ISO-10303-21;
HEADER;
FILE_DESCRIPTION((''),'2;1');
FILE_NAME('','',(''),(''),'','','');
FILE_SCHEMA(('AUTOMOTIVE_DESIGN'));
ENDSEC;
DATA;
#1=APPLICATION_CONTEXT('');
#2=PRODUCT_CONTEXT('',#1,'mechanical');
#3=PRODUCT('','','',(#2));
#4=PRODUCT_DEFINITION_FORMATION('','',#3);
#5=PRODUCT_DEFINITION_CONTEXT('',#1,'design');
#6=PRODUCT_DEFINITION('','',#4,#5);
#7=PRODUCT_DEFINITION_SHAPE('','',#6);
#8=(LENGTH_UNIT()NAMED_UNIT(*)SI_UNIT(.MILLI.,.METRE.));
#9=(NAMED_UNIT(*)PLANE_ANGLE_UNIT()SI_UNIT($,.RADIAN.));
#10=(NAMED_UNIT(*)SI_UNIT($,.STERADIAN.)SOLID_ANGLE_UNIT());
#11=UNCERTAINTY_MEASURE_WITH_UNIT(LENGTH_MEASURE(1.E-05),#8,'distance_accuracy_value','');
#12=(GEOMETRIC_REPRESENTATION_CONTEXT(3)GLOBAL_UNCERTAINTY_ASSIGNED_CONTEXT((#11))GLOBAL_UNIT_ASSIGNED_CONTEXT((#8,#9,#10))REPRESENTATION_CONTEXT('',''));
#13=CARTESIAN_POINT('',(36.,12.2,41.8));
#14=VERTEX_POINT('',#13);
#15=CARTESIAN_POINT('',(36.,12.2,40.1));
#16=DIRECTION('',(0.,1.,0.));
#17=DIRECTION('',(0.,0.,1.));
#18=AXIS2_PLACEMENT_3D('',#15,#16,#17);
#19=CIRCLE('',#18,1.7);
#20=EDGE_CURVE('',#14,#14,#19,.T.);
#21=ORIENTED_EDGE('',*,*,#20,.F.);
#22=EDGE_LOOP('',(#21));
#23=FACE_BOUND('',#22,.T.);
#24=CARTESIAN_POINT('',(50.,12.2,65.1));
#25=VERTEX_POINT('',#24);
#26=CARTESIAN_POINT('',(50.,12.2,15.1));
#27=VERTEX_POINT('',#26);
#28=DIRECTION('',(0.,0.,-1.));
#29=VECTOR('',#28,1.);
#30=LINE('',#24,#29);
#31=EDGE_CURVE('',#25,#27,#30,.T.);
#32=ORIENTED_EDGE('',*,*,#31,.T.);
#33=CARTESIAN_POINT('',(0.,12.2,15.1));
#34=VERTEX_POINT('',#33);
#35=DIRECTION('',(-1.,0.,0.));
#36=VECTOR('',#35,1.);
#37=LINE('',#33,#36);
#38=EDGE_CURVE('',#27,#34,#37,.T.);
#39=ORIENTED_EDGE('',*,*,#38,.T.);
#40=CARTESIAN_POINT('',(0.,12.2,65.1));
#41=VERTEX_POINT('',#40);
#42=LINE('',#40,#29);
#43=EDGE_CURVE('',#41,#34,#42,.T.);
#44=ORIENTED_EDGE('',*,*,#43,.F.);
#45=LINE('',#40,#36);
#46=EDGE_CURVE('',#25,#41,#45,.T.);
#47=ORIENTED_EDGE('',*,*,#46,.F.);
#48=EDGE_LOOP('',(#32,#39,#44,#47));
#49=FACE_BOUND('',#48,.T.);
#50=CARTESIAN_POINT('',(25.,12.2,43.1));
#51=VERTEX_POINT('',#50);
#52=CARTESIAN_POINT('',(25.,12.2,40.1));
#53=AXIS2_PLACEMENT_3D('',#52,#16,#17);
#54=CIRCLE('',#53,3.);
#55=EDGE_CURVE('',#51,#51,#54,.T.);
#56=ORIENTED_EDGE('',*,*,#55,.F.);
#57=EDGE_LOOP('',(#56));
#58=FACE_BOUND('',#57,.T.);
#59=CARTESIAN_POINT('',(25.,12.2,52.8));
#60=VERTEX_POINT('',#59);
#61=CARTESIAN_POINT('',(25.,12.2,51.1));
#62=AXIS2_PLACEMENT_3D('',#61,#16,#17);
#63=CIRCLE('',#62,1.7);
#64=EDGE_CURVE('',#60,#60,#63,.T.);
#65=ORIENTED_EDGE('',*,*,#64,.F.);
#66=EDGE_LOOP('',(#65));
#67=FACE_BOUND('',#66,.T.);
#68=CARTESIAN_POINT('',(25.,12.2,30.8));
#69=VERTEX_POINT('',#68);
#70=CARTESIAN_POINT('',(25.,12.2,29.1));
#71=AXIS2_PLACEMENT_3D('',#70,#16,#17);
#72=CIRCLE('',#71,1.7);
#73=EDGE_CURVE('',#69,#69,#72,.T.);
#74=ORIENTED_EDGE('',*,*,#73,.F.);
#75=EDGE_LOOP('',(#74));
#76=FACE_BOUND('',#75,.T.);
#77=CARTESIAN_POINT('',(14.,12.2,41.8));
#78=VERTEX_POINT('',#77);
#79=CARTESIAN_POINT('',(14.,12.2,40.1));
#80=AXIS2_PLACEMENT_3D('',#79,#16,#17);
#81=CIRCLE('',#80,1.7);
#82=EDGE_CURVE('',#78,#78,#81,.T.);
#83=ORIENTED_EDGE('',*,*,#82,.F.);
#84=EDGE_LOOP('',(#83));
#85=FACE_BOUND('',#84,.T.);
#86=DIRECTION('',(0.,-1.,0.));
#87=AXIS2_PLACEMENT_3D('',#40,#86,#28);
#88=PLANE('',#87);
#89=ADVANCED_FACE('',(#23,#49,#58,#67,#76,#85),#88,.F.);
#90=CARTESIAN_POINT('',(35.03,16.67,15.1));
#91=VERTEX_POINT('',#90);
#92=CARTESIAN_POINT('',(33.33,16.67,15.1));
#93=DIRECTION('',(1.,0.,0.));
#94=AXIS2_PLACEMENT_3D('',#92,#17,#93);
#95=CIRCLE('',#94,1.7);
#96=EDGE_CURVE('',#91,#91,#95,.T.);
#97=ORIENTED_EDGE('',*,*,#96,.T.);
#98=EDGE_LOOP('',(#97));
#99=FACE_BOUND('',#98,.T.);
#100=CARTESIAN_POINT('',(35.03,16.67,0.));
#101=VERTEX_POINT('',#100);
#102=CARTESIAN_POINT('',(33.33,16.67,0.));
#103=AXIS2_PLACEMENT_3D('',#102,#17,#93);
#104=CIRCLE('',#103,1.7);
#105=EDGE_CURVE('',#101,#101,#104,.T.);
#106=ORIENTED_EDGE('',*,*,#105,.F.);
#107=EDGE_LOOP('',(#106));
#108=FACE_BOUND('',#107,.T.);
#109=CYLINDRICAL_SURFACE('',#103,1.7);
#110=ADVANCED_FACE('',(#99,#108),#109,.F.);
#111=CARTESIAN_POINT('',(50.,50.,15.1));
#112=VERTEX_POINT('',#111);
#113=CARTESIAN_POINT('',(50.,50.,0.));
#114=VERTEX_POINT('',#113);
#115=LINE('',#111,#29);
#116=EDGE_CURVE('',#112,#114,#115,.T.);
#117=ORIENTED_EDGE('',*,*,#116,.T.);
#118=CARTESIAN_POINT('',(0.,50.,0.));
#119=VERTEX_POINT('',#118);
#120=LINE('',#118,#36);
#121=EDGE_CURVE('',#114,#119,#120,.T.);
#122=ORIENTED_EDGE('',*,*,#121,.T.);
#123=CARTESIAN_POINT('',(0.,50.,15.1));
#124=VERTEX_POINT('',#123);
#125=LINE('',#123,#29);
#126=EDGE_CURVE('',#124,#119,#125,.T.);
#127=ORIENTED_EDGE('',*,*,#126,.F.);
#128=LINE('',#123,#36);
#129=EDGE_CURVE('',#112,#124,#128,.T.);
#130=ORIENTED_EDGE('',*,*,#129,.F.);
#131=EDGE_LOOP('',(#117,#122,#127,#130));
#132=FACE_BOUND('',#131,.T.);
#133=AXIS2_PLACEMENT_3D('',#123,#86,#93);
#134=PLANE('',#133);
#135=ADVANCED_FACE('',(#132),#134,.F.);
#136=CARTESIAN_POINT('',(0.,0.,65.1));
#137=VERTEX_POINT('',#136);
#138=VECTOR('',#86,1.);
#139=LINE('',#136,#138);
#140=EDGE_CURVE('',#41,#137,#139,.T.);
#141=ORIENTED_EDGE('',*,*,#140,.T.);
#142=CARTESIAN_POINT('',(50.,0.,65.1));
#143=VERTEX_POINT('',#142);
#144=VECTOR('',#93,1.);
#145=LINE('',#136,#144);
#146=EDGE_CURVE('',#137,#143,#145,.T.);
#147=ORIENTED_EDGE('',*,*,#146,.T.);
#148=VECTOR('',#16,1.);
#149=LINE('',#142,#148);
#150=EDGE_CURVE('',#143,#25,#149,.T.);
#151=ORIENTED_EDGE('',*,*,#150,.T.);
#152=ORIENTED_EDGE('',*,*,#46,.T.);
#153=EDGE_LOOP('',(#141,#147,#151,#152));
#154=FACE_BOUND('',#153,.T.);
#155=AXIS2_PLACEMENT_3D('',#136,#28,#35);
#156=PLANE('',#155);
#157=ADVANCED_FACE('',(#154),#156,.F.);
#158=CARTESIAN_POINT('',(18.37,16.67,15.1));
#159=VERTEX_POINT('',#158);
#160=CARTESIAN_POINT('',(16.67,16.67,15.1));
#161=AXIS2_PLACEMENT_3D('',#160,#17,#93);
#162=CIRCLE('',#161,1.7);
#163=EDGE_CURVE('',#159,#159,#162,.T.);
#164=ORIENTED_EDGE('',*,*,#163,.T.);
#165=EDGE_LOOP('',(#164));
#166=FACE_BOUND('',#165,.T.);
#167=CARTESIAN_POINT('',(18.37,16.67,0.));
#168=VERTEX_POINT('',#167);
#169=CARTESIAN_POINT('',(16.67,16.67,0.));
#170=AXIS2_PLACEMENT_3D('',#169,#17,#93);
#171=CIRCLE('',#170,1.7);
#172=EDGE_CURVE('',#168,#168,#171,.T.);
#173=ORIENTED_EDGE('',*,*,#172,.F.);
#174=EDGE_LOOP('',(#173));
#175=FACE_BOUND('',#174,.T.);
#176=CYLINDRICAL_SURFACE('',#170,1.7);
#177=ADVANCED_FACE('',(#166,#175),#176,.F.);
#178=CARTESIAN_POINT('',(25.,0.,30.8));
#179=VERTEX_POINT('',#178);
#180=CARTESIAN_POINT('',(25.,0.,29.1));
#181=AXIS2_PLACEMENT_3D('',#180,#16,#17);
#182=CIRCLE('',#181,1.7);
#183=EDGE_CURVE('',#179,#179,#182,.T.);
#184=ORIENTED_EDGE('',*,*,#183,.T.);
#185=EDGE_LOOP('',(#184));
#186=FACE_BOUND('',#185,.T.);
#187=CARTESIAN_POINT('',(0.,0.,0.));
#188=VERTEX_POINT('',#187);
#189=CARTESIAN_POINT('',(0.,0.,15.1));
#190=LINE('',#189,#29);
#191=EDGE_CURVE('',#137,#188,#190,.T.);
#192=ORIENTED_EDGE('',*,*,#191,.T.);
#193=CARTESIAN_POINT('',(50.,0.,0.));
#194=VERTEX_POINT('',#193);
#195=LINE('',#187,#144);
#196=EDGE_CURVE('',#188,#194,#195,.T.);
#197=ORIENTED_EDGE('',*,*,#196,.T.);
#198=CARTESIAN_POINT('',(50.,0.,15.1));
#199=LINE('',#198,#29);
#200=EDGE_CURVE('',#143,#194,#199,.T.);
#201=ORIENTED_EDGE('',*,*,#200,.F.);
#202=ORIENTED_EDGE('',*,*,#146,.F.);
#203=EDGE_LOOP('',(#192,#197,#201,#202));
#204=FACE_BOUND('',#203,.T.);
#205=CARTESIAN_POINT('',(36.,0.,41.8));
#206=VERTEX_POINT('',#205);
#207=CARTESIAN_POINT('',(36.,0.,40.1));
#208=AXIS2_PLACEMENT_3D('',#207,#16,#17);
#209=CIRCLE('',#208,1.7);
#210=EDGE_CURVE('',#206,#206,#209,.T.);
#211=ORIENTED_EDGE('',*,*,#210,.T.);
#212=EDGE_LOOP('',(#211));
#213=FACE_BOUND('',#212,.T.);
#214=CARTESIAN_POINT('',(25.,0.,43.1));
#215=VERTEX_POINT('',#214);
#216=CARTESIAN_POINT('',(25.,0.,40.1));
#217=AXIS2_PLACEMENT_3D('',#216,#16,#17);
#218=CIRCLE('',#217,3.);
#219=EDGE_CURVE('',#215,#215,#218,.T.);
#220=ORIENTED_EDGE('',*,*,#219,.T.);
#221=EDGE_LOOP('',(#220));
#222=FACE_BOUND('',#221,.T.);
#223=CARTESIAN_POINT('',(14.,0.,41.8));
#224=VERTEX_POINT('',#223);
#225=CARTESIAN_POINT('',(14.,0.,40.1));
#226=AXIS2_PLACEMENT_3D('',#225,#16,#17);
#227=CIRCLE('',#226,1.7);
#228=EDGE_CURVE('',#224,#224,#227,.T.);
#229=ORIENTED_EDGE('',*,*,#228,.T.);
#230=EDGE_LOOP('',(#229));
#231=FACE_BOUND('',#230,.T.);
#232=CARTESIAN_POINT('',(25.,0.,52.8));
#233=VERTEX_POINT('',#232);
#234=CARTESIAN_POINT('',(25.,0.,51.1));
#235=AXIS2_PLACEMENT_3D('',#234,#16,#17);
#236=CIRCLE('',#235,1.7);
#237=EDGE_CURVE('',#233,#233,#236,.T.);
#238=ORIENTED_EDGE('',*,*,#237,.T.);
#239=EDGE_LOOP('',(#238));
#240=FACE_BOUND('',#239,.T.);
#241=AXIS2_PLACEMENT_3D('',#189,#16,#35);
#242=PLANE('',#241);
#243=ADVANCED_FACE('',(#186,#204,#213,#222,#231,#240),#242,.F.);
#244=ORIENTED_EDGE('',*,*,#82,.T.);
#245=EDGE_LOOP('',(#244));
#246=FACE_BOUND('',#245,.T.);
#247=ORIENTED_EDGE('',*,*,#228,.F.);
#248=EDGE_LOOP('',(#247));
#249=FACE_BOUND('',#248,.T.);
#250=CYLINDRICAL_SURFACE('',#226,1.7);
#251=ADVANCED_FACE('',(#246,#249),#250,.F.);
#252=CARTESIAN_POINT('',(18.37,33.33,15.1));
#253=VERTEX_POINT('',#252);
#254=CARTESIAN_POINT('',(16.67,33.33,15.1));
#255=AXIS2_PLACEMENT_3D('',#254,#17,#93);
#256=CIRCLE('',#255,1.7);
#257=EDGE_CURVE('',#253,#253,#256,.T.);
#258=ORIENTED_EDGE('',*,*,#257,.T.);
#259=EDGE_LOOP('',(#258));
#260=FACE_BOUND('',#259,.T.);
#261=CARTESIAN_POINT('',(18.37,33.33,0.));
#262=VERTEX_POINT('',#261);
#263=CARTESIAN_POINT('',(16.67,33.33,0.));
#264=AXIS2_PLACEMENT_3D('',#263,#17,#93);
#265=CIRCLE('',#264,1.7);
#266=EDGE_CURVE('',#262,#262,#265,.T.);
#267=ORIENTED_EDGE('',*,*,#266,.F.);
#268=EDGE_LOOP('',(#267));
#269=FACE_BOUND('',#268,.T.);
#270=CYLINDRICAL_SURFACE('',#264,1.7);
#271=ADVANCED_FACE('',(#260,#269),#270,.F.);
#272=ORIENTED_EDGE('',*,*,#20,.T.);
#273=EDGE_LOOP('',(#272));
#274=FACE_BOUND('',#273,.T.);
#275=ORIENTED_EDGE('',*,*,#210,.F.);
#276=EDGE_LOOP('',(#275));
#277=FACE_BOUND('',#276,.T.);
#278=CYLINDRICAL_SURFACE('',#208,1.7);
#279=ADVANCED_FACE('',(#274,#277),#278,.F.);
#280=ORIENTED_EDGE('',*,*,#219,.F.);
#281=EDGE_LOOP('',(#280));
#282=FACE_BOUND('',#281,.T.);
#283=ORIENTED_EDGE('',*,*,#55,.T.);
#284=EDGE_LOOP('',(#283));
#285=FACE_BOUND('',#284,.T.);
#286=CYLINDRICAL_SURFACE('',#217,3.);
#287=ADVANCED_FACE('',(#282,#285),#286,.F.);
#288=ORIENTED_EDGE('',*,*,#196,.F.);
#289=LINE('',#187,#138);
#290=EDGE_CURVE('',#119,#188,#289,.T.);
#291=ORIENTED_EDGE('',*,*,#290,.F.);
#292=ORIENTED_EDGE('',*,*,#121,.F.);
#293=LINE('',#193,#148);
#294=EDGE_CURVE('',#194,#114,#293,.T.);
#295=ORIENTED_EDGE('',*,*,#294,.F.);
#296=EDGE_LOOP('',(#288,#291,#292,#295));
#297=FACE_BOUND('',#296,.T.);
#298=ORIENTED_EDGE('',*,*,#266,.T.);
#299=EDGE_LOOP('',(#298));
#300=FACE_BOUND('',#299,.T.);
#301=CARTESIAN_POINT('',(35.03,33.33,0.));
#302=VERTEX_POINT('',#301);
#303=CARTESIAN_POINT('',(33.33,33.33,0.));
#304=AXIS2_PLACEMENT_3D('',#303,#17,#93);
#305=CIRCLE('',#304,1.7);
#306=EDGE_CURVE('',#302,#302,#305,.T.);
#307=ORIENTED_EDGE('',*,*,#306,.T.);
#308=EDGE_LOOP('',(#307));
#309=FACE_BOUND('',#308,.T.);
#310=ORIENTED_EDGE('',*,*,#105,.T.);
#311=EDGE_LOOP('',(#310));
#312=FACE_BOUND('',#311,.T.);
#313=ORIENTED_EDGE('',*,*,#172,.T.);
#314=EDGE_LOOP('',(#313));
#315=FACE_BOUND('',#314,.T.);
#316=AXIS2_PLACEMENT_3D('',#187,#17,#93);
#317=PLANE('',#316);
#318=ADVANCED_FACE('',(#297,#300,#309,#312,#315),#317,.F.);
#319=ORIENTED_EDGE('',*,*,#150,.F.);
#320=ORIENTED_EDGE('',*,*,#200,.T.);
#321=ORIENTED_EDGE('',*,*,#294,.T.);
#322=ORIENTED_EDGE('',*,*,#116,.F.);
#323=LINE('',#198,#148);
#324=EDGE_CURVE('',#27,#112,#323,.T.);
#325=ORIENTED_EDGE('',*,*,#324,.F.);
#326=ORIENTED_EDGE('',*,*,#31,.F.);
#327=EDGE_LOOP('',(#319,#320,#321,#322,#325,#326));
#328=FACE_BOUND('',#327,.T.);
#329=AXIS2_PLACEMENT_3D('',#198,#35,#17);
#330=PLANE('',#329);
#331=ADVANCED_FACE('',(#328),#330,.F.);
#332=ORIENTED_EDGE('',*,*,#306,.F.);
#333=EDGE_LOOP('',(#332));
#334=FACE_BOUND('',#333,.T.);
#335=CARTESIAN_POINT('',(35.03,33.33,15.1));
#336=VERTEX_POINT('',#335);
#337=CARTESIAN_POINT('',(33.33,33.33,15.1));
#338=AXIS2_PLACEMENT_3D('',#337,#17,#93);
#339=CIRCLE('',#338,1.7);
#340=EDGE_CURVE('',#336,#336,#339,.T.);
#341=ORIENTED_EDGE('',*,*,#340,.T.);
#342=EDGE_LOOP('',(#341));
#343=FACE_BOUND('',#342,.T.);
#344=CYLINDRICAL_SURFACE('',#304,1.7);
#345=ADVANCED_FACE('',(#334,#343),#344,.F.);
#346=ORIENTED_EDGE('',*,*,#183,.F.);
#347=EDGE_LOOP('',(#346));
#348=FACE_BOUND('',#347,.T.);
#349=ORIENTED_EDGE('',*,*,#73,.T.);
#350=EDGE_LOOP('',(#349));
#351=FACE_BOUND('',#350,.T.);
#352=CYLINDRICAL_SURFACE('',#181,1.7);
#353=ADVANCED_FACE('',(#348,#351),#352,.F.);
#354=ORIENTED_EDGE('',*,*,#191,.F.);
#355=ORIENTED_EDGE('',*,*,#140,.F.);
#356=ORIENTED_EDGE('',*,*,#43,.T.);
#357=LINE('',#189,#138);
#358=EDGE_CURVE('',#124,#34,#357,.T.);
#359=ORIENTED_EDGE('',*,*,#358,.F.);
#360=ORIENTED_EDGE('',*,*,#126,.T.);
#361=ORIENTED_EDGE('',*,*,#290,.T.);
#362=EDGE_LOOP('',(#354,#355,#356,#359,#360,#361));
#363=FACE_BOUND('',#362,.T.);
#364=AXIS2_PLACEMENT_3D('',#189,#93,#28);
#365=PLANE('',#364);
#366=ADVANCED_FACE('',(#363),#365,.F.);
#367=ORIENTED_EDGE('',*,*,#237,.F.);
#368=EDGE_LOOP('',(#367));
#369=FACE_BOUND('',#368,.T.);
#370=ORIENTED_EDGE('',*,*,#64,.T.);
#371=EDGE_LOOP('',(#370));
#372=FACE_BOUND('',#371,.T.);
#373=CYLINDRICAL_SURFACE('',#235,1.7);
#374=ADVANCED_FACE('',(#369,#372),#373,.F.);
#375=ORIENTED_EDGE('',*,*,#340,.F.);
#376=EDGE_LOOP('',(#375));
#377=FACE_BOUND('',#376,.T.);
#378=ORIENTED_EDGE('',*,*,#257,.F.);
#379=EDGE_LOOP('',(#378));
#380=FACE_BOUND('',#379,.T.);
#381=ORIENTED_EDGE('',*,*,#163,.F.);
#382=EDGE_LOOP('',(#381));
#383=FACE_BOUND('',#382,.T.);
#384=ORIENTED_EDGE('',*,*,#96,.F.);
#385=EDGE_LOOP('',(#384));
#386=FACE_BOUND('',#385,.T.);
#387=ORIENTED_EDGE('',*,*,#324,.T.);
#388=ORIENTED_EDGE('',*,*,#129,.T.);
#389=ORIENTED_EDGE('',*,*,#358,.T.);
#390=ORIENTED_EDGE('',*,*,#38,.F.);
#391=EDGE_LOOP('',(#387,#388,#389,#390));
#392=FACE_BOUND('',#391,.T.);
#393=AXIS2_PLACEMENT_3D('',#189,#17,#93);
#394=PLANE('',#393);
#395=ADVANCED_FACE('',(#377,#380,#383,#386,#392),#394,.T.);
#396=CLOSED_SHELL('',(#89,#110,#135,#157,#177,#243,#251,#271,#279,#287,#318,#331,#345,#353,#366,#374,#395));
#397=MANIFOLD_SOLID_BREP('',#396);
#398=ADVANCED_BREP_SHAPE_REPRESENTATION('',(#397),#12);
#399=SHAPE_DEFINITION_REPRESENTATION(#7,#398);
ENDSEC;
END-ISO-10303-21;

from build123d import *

# Parameters (mm, degrees)
SKETCH2_W           = 50
SKETCH2_H           = 50
BOSS_EXTRUDE1_DEPTH = 15.1
SKETCH3_R           = 1.7
CUT_EXTRUDE1_DEPTH  = 73.304979082
SKETCH4_W           = 50
SKETCH4_H           = 12.2
BOSS_EXTRUDE2_DEPTH = 50
SKETCH5_R           = 3
SKETCH5_R_2         = 1.7
CUT_EXTRUDE2_DEPTH  = 91.370625759


with BuildPart() as part:
    # Sketch2 → Boss-Extrude1 (new body)
    with BuildSketch(Plane(origin=(0, 0, 0), x_dir=(0, 1, 0), z_dir=(0, 0, 1))):
        with Locations((25, -25)):
            Rectangle(SKETCH2_W, SKETCH2_H)
    extrude(amount=BOSS_EXTRUDE1_DEPTH)

    # Sketch3 → Cut-Extrude1 (cut, through all)
    with BuildSketch(Plane.XY.offset(15.1)):
        with Locations((16.67, 33.33)):
            Circle(SKETCH3_R)
        with Locations((33.33, 33.33)):
            Circle(SKETCH3_R)
        with Locations((16.67, 16.67)):
            Circle(SKETCH3_R)
        with Locations((33.33, 16.67)):
            Circle(SKETCH3_R)
    extrude(amount=-CUT_EXTRUDE1_DEPTH, mode=Mode.SUBTRACT)

    # Sketch4 → Boss-Extrude2 (add)
    with BuildSketch(Plane.XY.offset(15.1)):
        with Locations((25, 6.1)):
            Rectangle(SKETCH4_W, SKETCH4_H)
    extrude(amount=BOSS_EXTRUDE2_DEPTH)

    # Sketch5 → Cut-Extrude2 (cut, through all)
    with BuildSketch(Plane(origin=(0, 12.2, 0), x_dir=(-1, 0, 0), z_dir=(0, 1, 0))):
        with Locations(Location((-25, 40.1, 0), (0, 0, 90))):
            Circle(SKETCH5_R)
        with Locations(Location((-36, 40.1, 0), (0, 0, 90))):
            Circle(SKETCH5_R_2)
        with Locations(Location((-25, 51.1, 0), (0, 0, 90))):
            Circle(SKETCH5_R_2)
        with Locations(Location((-14, 40.1, 0), (0, 0, 90))):
            Circle(SKETCH5_R_2)
        with Locations(Location((-25, 29.1, 0), (0, 0, 90))):
            Circle(SKETCH5_R_2)
    extrude(amount=-CUT_EXTRUDE2_DEPTH, mode=Mode.SUBTRACT)


solid = part.part
